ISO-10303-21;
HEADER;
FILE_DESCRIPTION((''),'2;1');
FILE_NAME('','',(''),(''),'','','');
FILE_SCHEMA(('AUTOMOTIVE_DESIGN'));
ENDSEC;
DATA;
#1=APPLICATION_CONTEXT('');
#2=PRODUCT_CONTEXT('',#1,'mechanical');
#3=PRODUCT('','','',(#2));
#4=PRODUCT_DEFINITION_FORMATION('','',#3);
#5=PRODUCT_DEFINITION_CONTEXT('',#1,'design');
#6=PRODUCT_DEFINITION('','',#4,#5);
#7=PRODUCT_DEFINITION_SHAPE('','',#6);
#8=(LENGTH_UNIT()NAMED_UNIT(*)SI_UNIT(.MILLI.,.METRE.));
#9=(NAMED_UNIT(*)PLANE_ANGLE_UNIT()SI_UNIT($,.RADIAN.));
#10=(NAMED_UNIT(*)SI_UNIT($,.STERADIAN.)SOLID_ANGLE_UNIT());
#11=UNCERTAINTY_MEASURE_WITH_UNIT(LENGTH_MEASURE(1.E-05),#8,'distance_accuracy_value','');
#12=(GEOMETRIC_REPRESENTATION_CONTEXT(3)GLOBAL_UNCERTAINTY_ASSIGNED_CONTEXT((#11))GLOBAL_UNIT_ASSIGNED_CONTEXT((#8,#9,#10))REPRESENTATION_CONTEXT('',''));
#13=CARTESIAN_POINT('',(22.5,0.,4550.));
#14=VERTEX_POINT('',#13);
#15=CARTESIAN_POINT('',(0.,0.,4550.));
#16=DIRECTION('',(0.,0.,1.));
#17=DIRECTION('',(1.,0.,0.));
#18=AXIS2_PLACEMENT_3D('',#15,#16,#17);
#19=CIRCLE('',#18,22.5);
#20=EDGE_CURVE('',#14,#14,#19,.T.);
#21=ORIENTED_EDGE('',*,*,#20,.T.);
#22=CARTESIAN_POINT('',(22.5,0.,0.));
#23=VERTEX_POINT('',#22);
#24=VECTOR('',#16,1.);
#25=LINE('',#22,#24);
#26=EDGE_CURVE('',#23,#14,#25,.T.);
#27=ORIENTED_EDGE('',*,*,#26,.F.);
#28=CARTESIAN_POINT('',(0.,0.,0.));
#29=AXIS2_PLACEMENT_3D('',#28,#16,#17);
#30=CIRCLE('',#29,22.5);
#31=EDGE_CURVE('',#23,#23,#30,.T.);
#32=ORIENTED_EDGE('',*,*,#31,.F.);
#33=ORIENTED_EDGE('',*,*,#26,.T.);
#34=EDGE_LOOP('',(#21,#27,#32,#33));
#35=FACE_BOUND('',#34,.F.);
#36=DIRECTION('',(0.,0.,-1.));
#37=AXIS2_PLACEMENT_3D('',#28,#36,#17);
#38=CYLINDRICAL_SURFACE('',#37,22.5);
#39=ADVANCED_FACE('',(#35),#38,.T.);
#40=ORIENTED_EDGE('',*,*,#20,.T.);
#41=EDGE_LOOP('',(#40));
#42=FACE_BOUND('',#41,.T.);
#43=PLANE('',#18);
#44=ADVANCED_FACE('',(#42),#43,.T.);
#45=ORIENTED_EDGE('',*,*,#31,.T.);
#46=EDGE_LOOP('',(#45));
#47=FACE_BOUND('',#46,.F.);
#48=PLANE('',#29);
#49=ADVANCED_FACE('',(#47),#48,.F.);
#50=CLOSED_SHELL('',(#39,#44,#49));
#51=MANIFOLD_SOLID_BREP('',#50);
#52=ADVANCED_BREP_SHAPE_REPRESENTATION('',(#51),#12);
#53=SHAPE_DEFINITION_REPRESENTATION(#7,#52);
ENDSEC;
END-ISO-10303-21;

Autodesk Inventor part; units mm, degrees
ref_plane "YZ Plane" through (0, 0, 0) normal (1, 0, 0) x (0, 1, 0)
ref_plane "XZ Plane" through (0, 0, 0) normal (0, 1, 0) x (-1, 0, 0)
ref_plane "XY Plane" through (0, 0, 0) normal (0, 0, 1) x (1, 0, 0)
sketch "Sketch1" plane through (0, 0, 0) normal (0, 0, 1) x (1, 0, 0)
  circle A0 centre (0, 0) radius 22.5
  dimension "d0" = 45
extrude "Extrusion1" add sketch "Sketch1" along normal blind 4550
properties part number "FinderBeam"
